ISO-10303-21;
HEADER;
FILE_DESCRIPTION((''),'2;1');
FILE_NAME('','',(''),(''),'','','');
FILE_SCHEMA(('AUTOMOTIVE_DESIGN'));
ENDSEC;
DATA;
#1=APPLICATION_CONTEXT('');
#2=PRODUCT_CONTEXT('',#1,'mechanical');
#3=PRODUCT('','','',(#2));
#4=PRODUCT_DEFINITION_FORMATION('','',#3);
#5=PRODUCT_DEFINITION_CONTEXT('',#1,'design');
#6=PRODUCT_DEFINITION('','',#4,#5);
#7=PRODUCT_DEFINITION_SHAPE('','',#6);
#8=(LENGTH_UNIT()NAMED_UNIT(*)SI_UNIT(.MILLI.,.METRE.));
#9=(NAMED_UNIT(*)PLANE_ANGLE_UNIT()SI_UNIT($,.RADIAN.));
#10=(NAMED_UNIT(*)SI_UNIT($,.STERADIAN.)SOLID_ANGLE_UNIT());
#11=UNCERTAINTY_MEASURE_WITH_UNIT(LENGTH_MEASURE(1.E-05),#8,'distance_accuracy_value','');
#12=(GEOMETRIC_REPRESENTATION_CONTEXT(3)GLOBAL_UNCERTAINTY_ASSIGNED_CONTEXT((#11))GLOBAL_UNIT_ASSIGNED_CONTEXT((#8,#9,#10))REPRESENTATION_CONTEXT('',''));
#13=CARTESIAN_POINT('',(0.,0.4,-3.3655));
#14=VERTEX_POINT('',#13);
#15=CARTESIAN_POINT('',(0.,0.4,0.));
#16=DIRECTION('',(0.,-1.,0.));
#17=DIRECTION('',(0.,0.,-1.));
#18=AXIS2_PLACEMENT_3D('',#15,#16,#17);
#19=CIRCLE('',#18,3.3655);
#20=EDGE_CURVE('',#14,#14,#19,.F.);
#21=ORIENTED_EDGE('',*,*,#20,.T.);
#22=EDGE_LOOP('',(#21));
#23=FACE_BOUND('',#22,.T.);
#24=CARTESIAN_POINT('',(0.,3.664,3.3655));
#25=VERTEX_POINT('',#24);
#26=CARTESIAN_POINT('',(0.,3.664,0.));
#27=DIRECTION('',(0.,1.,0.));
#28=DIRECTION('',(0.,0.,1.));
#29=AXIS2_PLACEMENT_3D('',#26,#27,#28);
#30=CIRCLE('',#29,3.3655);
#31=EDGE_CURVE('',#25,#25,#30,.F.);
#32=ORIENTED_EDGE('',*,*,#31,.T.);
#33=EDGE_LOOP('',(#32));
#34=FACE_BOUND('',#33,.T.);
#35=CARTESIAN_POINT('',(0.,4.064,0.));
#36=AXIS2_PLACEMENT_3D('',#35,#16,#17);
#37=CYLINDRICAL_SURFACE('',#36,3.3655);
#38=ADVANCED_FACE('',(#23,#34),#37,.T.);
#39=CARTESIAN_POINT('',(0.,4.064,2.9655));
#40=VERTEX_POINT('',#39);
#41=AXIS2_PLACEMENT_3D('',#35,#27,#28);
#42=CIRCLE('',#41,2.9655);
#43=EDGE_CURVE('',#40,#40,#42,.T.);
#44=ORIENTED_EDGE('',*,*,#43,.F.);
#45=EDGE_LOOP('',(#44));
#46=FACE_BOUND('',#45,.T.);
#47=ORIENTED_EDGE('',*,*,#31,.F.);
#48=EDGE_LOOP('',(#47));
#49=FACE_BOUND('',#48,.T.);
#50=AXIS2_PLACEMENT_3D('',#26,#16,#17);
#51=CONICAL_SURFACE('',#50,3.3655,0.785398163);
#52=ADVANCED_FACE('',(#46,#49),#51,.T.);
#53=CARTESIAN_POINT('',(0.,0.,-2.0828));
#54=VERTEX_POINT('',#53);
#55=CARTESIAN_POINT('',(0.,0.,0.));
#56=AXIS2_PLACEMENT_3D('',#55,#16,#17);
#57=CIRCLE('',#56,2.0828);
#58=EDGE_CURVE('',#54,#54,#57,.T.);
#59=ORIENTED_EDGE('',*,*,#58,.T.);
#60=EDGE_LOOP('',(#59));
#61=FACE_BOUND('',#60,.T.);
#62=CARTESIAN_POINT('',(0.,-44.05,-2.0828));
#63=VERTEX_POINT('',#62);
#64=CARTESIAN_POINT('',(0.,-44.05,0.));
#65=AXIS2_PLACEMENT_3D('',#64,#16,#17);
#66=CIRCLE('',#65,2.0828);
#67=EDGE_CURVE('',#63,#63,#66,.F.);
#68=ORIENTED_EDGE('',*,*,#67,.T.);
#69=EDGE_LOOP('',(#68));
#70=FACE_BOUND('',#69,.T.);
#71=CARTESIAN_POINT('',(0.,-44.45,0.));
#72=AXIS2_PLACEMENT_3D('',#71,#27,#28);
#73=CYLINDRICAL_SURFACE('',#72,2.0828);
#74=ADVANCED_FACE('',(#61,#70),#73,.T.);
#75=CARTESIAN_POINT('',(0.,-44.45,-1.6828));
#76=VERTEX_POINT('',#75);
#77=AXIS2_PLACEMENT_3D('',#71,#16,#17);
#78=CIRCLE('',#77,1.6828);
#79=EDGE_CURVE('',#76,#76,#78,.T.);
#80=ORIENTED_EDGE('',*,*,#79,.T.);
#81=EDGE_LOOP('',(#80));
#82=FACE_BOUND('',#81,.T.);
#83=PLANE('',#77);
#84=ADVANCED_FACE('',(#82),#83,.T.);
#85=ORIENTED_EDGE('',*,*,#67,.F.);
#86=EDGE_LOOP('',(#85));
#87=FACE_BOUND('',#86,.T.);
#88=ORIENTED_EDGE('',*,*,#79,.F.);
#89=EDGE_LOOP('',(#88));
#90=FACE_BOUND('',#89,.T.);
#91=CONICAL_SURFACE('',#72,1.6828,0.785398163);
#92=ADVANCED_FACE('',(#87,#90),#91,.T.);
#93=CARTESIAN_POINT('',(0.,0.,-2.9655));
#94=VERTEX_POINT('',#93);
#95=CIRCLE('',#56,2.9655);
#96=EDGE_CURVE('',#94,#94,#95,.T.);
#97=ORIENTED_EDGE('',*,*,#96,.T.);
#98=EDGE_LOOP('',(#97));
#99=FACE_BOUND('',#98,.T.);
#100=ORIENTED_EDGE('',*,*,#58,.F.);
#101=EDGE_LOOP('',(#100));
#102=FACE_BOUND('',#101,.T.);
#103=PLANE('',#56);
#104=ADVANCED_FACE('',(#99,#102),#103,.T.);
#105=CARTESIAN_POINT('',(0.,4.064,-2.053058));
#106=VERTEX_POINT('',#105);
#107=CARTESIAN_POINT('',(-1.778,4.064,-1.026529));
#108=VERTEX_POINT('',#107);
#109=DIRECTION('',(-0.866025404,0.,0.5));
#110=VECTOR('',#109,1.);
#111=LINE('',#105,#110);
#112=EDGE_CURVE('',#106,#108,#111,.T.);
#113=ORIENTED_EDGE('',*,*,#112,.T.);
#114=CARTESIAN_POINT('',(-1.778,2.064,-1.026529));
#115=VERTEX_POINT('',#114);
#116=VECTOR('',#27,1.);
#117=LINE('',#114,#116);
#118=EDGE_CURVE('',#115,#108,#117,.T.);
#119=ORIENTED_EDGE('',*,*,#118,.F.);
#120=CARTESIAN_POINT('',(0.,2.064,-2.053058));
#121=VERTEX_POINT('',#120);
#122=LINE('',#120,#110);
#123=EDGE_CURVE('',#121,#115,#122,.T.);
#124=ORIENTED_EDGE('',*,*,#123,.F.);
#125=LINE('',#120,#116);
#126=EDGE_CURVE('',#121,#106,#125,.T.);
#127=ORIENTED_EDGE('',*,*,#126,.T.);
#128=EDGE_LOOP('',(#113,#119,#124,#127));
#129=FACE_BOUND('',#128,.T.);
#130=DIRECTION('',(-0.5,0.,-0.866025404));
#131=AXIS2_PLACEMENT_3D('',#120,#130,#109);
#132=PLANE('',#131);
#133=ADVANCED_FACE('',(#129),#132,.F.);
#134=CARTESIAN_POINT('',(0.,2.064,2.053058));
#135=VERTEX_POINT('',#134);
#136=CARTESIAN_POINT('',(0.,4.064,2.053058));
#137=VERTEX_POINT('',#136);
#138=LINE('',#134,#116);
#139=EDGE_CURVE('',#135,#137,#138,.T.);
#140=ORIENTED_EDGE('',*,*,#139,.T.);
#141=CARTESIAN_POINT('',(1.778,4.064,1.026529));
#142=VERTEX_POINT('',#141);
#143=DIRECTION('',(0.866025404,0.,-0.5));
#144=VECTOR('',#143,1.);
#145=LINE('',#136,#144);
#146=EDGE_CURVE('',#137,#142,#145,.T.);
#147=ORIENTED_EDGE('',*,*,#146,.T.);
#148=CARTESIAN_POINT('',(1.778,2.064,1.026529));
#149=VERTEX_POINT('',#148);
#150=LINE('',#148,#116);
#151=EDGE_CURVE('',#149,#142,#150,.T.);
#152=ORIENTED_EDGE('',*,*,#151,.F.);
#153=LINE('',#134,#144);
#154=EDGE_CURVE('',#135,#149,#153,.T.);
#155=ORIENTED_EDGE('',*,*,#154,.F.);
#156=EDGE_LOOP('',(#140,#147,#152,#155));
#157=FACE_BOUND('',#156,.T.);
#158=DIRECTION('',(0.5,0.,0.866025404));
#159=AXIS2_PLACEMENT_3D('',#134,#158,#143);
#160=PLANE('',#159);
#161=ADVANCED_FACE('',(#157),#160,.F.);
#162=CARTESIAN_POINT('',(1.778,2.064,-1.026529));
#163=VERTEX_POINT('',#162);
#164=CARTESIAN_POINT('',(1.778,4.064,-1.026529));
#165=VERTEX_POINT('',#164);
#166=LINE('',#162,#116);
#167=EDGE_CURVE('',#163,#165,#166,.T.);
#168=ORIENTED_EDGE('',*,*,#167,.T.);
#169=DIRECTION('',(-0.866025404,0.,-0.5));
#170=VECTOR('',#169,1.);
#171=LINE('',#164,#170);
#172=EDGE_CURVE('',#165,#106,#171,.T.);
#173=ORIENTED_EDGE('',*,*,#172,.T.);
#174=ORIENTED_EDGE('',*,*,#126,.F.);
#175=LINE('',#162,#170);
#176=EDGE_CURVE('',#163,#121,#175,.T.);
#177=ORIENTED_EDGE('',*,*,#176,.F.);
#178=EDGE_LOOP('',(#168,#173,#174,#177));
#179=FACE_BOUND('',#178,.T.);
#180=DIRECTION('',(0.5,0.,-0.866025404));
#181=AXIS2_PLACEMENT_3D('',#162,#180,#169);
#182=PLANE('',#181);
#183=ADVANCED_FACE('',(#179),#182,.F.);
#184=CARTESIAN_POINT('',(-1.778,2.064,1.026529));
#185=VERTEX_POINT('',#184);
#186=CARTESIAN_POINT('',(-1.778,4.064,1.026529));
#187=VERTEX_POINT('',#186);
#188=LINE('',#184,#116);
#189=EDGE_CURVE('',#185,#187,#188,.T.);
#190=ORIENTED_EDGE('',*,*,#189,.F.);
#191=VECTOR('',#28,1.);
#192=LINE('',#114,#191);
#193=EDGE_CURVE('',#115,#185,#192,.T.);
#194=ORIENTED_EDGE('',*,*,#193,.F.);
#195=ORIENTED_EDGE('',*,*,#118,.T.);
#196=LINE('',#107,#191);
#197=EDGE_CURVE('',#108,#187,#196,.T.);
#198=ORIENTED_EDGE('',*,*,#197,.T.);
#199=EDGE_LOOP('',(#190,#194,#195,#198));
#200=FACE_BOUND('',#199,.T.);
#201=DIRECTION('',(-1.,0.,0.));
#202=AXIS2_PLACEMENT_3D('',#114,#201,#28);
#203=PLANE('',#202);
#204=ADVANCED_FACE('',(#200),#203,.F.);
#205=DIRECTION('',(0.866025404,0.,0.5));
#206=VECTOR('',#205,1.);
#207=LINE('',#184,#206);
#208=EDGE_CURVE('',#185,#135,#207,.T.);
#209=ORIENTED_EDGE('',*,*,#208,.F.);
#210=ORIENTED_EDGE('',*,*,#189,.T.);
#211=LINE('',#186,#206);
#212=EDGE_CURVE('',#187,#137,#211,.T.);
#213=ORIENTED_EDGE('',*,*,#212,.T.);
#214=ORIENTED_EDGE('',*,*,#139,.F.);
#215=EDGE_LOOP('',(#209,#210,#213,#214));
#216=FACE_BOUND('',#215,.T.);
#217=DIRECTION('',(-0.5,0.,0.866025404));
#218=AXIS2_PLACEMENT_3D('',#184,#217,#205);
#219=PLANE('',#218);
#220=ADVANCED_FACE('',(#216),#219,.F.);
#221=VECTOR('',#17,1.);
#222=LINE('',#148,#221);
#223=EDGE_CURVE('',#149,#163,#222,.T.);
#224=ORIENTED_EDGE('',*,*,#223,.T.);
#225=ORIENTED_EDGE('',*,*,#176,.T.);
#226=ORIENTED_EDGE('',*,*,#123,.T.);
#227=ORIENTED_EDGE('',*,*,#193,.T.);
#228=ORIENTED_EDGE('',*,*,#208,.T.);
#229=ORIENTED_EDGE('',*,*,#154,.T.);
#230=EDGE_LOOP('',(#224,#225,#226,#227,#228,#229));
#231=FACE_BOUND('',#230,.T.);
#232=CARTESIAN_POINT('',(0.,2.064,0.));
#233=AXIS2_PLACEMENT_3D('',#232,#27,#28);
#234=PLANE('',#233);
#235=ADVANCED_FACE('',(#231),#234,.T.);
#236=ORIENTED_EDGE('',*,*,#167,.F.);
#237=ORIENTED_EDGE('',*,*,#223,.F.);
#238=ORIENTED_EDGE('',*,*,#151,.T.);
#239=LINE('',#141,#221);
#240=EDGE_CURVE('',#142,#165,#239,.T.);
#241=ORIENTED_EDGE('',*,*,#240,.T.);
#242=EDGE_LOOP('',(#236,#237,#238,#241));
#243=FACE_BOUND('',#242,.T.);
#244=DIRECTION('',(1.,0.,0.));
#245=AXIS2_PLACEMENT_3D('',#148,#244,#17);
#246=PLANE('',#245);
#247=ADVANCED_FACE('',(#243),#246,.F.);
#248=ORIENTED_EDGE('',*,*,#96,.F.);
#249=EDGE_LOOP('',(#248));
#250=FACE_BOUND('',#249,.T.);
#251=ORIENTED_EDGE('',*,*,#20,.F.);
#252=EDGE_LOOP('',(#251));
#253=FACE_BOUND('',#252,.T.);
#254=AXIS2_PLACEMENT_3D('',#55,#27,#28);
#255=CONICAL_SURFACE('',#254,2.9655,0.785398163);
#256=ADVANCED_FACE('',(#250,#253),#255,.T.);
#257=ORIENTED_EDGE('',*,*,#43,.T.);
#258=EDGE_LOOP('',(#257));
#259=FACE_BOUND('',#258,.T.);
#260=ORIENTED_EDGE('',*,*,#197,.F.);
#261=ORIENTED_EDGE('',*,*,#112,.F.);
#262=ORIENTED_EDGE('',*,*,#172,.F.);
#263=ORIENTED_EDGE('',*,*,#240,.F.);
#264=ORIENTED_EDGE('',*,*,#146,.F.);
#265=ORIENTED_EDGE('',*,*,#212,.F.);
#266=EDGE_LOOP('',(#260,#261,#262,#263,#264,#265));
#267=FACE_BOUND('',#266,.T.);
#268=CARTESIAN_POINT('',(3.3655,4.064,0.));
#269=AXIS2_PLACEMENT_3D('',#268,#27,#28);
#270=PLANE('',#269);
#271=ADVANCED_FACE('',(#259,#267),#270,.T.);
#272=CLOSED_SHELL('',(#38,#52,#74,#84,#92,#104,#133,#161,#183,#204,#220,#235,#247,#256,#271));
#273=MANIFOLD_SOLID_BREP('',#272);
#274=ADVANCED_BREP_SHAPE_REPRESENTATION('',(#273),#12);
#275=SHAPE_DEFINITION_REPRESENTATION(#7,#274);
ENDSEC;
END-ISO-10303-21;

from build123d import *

# Parameters (mm, degrees)
SKETCH1_W           = 3.3655
SKETCH1_H           = 4.064
SKETCH2_R           = 2.0828
BOSS_EXTRUDE1_DEPTH = 44.45
CUT_EXTRUDE1_DEPTH  = 2
CHAMFER1_SIZE       = 0.4


with BuildPart() as part:
    # Sketch1 → Revolve1 (revolve)
    with BuildSketch(Plane.XY, mode=Mode.PRIVATE) as revolve1_sk:
        with Locations((1.68275, 2.032)):
            Rectangle(SKETCH1_W, SKETCH1_H)
    revolve(revolve1_sk.sketch.rotate(Axis((0, 4.064, 0), (0, -1, 0)), 270), axis=Axis((0, 4.064, 0), (0, -1, 0)))

    # Sketch2 → Boss-Extrude1 (add)
    with BuildSketch(Plane.XZ):
        with Locations(Location((0, 0, 0), (0, 0, 270))):
            Circle(SKETCH2_R)
    extrude(amount=BOSS_EXTRUDE1_DEPTH)

    # Sketch3 → Cut-Extrude1 (cut)
    with BuildSketch(Plane(origin=(0, 4.064, 0), x_dir=(-1, 0, 0), z_dir=(0, 1, 0))):
        Polygon((-1.778, -1.026528779), (0, -2.053057557), (1.778, -1.026528779), (1.778, 1.026528779), (0, 2.053057557), (-1.778, 1.026528779), align=None)
    extrude(amount=-CUT_EXTRUDE1_DEPTH, mode=Mode.SUBTRACT)

    # Chamfer1
    chamfer1_edges = [part.edges().sort_by_distance(p)[0] for p in [
        (0, 0, 3.3655),
        (0, 4.064, 3.3655),
        (0, -44.45, 2.0828),
    ]]
    chamfer(chamfer1_edges, length=CHAMFER1_SIZE)


solid = part.part
